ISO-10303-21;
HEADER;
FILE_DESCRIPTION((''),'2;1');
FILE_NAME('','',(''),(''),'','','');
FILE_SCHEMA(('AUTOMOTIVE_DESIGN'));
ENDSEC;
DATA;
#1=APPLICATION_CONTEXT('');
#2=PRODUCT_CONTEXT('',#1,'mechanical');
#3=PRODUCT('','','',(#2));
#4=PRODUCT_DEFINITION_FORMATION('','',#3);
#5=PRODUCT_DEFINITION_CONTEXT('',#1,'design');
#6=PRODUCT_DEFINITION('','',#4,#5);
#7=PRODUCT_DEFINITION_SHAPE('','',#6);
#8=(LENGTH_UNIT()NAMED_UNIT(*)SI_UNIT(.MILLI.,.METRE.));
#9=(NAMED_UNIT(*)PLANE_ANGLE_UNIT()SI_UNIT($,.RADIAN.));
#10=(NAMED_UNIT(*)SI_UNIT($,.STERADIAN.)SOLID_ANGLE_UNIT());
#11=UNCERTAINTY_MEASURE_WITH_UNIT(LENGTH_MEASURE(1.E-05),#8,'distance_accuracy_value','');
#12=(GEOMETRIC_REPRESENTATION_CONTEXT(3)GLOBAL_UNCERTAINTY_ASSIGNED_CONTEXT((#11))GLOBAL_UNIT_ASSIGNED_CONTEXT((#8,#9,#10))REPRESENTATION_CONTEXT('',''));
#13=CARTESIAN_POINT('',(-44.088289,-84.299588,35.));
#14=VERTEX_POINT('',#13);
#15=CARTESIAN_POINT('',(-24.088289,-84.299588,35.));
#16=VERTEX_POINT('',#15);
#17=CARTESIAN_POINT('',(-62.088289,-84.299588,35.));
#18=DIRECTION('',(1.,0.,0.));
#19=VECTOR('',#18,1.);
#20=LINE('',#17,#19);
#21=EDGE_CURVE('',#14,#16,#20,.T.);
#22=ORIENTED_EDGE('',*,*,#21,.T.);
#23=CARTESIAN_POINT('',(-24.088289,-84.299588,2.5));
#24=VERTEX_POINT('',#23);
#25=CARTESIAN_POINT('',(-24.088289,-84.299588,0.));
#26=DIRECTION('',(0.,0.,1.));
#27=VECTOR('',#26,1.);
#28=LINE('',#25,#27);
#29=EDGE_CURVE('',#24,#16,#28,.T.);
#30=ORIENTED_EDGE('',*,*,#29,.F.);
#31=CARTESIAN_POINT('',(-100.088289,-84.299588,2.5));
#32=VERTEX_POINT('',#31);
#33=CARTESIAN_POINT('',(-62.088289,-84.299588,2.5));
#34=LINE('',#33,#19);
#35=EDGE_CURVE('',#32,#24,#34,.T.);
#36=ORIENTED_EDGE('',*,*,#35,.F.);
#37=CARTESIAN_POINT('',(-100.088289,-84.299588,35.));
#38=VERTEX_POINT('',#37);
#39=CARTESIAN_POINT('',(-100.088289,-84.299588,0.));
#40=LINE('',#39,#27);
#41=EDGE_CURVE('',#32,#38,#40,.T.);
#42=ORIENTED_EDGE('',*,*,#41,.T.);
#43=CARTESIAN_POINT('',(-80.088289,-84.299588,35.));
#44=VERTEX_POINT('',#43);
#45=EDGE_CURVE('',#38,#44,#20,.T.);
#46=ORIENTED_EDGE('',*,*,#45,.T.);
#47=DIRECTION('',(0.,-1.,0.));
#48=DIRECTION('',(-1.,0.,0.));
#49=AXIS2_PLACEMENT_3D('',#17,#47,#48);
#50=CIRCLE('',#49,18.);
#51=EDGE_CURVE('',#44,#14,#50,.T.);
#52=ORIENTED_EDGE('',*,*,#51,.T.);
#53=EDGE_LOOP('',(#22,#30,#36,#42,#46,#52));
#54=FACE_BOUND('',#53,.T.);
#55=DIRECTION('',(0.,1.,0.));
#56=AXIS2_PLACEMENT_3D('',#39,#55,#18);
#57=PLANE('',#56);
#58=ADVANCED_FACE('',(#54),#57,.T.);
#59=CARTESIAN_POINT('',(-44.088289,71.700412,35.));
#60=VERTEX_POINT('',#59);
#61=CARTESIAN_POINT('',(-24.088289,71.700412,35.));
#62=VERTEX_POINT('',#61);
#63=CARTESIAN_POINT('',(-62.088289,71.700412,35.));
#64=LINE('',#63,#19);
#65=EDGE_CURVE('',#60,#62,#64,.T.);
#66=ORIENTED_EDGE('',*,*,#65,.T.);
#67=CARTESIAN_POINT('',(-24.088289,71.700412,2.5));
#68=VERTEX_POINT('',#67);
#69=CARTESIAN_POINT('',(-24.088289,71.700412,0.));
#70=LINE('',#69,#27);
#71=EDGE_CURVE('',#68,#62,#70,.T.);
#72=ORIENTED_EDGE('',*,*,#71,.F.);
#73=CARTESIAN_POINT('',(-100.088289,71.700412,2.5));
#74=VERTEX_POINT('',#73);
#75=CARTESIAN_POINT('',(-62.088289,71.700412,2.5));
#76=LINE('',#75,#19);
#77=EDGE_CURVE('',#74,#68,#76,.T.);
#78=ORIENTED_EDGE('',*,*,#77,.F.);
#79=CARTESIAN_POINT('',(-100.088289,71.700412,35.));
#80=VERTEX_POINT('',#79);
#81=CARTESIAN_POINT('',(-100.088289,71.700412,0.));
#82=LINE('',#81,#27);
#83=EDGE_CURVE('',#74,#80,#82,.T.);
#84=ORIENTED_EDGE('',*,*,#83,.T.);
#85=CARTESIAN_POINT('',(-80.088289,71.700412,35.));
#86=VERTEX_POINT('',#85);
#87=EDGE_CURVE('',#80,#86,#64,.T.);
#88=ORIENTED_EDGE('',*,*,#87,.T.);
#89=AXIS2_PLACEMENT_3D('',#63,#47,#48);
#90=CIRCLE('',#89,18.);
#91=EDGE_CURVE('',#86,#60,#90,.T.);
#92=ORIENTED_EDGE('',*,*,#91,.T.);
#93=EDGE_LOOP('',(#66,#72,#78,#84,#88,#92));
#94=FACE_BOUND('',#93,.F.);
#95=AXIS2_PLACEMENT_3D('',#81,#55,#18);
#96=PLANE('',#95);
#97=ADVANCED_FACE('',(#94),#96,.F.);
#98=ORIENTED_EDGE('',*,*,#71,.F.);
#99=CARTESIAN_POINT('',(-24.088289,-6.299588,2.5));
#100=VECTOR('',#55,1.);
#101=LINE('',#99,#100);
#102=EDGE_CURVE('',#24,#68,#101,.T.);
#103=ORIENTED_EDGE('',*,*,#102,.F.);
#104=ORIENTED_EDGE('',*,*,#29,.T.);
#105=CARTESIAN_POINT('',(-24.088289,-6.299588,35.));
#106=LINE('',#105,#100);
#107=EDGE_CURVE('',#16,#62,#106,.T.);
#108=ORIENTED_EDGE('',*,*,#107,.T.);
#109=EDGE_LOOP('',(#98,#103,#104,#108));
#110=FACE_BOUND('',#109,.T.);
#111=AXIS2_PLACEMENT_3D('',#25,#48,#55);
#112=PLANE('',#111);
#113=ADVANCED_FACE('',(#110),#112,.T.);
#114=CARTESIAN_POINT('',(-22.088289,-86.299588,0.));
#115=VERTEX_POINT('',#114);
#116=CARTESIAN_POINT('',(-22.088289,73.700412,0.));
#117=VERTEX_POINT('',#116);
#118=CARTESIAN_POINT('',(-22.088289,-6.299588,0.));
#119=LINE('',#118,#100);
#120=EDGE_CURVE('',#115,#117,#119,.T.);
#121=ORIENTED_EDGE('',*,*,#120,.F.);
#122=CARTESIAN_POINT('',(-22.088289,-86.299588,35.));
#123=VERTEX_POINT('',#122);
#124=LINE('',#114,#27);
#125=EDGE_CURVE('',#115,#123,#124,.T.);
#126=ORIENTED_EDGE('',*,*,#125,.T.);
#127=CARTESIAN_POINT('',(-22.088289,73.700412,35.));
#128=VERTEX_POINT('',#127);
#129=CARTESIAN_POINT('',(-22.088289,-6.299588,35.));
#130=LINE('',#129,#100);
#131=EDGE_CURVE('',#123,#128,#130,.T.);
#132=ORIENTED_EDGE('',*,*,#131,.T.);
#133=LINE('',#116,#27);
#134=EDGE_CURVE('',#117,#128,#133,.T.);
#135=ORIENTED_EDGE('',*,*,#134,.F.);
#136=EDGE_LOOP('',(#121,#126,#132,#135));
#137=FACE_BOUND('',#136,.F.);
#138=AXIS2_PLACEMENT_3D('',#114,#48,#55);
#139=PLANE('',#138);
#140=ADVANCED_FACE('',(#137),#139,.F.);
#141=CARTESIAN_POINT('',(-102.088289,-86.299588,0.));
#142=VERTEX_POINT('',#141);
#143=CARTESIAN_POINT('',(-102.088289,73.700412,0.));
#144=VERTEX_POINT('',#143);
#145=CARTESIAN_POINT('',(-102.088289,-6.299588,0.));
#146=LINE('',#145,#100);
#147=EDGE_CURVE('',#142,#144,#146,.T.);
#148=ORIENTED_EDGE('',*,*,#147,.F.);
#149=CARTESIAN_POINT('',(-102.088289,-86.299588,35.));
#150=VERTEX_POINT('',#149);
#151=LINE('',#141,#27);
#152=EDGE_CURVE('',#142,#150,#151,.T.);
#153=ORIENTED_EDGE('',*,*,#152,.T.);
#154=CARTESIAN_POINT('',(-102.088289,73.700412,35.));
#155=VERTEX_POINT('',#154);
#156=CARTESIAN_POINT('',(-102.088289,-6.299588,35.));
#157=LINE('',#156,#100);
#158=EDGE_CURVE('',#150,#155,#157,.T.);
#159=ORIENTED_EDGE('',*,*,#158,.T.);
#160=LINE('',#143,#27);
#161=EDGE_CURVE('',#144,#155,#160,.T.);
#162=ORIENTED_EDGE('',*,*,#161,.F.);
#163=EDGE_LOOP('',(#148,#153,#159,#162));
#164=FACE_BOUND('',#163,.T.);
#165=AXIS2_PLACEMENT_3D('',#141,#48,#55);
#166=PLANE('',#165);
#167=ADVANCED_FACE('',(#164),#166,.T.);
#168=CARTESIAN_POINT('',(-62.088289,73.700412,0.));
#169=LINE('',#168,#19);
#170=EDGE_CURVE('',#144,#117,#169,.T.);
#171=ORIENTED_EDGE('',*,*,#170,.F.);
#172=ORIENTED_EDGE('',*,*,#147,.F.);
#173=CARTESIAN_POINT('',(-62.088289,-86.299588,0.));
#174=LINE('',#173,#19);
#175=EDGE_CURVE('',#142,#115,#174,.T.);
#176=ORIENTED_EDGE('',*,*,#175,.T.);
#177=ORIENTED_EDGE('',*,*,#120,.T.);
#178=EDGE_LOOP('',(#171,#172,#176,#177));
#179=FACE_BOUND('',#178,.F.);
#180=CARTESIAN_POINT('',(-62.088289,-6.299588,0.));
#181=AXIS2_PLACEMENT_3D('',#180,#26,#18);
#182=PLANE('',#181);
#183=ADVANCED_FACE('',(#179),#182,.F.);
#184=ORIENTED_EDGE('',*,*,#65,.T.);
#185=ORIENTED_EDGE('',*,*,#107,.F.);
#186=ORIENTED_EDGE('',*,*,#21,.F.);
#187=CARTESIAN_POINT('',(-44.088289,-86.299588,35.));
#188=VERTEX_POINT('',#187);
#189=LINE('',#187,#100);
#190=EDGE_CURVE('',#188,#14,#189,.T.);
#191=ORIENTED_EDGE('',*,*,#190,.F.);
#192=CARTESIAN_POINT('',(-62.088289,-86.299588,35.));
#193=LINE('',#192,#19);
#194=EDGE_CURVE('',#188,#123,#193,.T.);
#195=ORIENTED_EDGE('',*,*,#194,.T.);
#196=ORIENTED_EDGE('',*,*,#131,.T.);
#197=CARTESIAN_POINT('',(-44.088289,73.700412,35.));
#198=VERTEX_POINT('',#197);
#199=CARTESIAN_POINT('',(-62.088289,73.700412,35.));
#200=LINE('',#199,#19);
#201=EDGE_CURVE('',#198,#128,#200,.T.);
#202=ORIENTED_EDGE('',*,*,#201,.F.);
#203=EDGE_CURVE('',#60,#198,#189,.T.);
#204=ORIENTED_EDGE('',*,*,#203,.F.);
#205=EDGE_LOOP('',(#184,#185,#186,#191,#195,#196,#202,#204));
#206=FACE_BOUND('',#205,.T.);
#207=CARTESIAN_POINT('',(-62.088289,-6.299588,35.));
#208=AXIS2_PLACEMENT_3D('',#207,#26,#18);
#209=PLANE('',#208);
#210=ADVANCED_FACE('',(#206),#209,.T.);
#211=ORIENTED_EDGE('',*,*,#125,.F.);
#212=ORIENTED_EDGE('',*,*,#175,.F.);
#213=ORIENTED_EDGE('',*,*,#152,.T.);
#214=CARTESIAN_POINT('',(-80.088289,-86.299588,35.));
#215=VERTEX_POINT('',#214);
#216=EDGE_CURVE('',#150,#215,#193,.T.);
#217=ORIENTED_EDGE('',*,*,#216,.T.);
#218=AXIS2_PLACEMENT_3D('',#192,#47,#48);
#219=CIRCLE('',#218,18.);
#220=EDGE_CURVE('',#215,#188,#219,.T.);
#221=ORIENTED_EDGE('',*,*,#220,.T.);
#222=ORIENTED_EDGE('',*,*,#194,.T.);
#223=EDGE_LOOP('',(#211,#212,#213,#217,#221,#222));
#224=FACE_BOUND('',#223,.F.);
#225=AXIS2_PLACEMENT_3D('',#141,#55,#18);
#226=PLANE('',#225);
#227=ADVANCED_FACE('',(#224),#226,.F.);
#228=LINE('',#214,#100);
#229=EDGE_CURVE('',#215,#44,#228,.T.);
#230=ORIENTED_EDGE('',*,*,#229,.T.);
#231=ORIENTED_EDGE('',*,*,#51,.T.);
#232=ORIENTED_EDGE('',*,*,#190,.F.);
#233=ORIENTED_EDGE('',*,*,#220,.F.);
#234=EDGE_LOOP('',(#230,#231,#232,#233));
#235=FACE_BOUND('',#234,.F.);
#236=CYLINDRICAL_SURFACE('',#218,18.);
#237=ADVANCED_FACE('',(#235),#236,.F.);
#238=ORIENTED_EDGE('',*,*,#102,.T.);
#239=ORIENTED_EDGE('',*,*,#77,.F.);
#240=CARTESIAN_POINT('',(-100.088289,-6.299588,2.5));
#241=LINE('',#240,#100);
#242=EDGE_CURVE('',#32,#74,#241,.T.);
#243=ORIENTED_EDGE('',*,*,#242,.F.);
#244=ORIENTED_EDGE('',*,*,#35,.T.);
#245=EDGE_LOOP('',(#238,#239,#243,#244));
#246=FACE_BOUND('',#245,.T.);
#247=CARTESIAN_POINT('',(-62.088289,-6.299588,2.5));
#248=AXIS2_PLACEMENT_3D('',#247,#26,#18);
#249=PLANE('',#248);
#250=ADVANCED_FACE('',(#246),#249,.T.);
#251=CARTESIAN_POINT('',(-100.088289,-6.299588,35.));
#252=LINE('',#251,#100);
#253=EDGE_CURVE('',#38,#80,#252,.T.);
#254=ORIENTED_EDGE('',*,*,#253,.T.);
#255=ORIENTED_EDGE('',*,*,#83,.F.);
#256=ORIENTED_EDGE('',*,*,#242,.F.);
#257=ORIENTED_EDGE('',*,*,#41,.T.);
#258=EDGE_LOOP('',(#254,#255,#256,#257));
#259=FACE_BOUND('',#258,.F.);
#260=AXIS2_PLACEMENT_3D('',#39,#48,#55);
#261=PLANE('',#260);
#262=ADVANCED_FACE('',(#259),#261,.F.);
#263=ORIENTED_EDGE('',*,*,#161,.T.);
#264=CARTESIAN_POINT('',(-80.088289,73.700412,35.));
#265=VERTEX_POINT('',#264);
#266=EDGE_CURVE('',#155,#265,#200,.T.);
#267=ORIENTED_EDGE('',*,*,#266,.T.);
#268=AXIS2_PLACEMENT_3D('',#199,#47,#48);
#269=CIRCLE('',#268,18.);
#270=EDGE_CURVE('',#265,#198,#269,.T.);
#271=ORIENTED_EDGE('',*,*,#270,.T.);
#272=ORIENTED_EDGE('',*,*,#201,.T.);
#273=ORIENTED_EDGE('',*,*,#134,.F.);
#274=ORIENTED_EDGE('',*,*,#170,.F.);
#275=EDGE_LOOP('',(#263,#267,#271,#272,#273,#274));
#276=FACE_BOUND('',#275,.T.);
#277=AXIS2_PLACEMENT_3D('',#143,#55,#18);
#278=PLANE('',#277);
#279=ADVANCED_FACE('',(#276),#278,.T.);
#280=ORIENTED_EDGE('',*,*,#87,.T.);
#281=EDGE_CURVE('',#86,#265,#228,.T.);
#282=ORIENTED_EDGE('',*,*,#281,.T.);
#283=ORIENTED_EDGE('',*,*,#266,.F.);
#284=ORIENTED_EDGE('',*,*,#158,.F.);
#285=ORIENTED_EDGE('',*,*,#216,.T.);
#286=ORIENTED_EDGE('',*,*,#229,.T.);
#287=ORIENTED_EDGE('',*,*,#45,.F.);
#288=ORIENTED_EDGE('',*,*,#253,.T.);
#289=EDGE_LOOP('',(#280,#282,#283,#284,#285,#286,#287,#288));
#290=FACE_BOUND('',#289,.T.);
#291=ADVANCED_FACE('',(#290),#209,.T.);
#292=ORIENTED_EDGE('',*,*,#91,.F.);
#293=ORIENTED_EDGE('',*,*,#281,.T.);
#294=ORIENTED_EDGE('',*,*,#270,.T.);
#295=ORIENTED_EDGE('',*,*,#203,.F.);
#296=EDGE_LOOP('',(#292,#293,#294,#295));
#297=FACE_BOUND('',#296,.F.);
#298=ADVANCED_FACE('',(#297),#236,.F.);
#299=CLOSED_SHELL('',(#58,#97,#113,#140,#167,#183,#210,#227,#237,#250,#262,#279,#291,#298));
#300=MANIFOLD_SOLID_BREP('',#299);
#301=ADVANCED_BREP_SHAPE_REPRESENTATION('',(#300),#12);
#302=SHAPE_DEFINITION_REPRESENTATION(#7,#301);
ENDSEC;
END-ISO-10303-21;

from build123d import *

# Parameters (mm, degrees)
F0_W     = 76
F0_H     = 156
F1_DEPTH = 2.5
F0_W_2   = 80
F0_H_2   = 160
F2_DEPTH = 35
F4_DEPTH = 160


with BuildPart() as f1:
    # F0 (on Top) → F1 (new body)
    with BuildSketch(Plane.XY):
        with Locations((-62.088289, -6.299588)):
            Rectangle(F0_W, F0_H)
    extrude(amount=F1_DEPTH)

    # F0 (on Top) → F2 (join)
    with BuildSketch(Plane.XY):
        with Locations((-62.088289, -6.299588)):
            Rectangle(F0_W_2, F0_H_2)
        with Locations((-62.088289, -6.299588)):
            Rectangle(F0_W, F0_H, mode=Mode.SUBTRACT)
    extrude(amount=F2_DEPTH)

    # F3 (on face) → F4 (cut)
    with BuildSketch(Plane.XZ.offset(86.299588)):
        with BuildLine():
            ThreePointArc((-80.088289, 35), (-62.088289, 17), (-44.088289, 35))
            Line((-44.088289, 35), (-80.088289, 35))
        make_face()
    extrude(amount=-F4_DEPTH, mode=Mode.SUBTRACT)


solid = f1.part
